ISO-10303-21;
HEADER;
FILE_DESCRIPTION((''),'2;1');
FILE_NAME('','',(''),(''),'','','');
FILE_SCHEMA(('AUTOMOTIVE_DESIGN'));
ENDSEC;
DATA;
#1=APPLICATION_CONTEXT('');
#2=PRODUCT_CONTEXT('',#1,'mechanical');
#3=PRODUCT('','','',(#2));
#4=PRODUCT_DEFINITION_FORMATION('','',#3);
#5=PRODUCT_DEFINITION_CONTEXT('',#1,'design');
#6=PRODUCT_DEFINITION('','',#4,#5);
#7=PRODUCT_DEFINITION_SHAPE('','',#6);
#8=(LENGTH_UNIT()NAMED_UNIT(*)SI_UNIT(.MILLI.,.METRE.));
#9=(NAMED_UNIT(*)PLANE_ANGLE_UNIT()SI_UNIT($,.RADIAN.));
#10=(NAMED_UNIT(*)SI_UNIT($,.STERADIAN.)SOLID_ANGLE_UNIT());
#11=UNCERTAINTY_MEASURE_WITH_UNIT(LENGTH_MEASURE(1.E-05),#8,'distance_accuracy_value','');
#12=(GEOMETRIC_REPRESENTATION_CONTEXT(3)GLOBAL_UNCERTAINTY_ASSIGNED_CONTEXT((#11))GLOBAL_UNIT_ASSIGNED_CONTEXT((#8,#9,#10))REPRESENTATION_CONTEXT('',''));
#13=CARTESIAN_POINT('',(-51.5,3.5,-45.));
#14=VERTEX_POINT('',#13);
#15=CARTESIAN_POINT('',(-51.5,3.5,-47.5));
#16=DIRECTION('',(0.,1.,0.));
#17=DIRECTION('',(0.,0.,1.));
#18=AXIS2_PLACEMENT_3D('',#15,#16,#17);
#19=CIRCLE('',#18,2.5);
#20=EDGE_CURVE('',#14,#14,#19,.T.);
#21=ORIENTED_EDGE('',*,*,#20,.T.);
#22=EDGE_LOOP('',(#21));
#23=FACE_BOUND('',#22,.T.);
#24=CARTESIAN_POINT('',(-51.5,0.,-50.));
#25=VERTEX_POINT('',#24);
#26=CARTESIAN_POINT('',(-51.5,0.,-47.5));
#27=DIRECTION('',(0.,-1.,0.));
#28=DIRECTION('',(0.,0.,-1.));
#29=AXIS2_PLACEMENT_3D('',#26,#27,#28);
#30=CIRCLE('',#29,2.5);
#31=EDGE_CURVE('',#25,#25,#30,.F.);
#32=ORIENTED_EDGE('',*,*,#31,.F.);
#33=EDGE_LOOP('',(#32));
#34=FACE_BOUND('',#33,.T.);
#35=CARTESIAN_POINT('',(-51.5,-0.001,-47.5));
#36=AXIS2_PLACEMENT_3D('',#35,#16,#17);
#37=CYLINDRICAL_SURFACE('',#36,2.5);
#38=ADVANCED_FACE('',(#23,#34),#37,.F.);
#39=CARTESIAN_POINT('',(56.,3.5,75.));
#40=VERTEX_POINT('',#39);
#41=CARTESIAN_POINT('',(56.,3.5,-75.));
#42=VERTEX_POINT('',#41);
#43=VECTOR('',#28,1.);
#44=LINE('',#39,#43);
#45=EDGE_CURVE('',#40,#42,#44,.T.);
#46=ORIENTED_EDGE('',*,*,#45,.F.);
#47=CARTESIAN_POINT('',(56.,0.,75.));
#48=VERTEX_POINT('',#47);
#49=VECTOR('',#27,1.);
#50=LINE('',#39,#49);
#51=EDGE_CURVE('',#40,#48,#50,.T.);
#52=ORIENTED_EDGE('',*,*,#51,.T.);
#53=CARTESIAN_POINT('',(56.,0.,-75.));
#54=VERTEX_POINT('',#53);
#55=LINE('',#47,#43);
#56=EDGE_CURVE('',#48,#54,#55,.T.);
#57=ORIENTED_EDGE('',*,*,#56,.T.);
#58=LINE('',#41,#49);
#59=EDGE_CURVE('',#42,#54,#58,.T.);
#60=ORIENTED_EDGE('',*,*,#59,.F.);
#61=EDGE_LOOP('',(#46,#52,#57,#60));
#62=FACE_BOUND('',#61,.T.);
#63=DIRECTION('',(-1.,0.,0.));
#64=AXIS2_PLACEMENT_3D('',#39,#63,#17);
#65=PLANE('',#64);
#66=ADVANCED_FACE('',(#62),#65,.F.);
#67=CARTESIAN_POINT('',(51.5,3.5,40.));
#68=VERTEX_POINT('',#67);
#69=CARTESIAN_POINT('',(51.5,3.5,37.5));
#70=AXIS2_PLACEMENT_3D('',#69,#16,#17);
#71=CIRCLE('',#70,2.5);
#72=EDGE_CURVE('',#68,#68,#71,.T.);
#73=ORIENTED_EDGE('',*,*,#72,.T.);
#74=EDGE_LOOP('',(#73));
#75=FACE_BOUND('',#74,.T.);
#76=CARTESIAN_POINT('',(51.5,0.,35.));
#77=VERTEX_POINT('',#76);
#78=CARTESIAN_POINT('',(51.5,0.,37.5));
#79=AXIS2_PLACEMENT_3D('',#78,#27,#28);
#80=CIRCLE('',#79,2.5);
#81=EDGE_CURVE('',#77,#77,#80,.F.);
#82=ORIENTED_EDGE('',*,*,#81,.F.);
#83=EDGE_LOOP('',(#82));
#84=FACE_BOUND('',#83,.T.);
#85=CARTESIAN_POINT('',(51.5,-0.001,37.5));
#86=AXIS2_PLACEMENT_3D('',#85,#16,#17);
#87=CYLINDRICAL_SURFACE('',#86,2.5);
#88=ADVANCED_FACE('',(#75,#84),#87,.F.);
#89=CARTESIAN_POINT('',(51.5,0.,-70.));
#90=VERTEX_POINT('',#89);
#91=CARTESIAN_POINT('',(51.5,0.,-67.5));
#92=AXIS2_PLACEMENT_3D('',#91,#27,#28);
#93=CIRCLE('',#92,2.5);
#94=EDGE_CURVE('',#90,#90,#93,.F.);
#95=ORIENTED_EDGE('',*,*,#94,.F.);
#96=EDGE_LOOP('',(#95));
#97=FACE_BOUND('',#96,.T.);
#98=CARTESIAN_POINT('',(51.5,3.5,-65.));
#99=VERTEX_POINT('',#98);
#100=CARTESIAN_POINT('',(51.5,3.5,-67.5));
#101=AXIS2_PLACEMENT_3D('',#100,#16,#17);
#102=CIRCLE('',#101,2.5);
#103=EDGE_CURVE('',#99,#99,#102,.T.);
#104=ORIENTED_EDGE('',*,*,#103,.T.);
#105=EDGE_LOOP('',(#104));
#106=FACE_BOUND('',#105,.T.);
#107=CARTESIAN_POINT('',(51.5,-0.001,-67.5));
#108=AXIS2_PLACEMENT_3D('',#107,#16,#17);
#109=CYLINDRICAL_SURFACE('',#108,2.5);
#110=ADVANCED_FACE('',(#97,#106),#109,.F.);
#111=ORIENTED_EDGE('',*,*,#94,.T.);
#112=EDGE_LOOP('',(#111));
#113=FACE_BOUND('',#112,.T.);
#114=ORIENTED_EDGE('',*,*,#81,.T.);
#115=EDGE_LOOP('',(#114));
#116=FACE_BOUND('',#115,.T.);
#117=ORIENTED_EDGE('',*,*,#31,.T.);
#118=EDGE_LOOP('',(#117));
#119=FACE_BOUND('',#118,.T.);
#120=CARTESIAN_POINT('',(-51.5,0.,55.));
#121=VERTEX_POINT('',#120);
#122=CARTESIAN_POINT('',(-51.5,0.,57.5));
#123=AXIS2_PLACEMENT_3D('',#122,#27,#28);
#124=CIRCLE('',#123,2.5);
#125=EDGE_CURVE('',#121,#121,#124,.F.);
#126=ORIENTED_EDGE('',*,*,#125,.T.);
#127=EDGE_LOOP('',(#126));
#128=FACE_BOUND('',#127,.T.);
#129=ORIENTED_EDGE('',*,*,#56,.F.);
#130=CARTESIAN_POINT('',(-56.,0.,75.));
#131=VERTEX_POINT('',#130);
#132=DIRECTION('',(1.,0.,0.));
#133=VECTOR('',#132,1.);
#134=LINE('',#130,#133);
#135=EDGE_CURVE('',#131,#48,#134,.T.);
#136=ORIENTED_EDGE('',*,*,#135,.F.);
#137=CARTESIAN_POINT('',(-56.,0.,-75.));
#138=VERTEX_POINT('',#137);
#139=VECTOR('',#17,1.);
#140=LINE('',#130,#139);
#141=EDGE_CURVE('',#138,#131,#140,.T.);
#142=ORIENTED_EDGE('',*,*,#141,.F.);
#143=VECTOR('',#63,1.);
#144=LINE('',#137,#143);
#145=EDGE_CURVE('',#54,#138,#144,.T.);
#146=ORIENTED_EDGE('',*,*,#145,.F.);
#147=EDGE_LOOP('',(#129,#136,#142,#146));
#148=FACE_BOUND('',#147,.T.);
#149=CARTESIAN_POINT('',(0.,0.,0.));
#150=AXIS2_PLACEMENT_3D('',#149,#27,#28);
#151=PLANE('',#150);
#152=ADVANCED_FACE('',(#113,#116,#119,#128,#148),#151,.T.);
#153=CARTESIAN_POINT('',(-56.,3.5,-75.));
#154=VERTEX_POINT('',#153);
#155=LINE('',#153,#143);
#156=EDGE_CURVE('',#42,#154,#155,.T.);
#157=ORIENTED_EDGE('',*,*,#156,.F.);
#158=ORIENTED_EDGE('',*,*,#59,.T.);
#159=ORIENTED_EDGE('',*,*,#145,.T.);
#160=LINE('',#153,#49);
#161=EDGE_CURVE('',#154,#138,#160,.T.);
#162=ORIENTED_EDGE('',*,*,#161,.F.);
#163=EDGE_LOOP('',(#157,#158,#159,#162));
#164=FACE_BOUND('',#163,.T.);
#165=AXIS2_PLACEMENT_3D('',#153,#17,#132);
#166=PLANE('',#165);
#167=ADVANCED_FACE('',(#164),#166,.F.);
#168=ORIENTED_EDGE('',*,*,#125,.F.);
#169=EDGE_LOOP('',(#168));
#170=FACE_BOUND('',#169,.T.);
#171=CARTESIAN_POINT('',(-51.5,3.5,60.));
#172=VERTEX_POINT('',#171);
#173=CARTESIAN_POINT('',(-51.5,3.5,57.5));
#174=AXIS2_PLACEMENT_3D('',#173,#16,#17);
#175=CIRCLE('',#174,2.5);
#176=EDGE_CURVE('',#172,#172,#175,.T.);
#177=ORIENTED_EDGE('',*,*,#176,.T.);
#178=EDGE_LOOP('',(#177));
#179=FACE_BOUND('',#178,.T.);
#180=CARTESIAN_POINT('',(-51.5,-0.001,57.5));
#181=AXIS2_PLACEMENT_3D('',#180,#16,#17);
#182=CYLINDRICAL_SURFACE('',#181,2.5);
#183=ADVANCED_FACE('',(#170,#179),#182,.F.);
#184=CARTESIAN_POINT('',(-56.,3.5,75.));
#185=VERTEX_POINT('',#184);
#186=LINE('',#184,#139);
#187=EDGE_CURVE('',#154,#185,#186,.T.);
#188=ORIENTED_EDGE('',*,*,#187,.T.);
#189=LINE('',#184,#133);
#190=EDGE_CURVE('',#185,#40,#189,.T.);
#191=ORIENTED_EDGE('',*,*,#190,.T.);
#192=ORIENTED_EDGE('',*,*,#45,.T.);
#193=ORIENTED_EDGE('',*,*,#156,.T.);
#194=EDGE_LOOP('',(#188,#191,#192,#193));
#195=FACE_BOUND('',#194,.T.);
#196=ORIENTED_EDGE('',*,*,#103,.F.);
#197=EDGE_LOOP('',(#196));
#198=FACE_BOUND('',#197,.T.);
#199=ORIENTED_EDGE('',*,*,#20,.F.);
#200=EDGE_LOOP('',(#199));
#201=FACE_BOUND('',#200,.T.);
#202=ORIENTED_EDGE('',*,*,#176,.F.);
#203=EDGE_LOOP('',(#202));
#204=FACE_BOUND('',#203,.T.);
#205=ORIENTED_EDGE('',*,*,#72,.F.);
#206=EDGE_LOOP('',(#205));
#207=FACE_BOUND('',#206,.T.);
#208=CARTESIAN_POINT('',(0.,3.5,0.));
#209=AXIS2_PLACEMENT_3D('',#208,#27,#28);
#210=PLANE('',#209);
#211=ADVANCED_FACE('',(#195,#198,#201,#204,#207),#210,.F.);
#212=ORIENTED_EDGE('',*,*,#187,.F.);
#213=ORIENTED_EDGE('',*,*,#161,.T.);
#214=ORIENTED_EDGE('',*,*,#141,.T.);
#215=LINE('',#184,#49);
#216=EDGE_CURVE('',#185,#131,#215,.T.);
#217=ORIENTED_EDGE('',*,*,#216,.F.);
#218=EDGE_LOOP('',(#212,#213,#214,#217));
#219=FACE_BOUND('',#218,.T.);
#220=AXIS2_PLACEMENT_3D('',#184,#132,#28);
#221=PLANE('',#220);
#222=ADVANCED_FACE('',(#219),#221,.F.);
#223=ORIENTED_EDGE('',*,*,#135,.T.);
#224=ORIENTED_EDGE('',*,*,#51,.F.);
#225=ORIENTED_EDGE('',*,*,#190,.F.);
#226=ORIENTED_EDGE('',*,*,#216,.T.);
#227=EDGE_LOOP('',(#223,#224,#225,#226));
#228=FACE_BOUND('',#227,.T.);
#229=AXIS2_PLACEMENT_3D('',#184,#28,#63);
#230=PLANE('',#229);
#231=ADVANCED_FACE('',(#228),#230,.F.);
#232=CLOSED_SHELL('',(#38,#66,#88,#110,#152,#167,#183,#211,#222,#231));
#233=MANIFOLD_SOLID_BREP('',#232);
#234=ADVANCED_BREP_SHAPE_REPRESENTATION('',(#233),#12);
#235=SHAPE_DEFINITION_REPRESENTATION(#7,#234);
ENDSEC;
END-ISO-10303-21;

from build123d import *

# Parameters (mm, degrees)
ESQUISSE1_W             = 112
ESQUISSE1_H             = 150
BOSS_EXTRU_1_DEPTH      = 3.5
ENL_V_MAT_EXTRU_1_REACH = 5.5
ESQUISSE2_R             = 2.5


with BuildPart() as part:
    # Esquisse1 → Boss.-Extru.1 (new body)
    with BuildSketch(Plane(origin=(0, 0, 0), x_dir=(1, 0, 0), z_dir=(0, 1, 0))):
        Rectangle(ESQUISSE1_W, ESQUISSE1_H)
    extrude(amount=BOSS_EXTRU_1_DEPTH)

    # Esquisse2 → Enlèv. mat.-Extru.1 (cut, up to next)
    with BuildSketch(Plane(origin=(0, 3.5, 0), x_dir=(1, 0, 0), z_dir=(0, 1, 0)), mode=Mode.PRIVATE) as enl_v_mat_extru_1_sk1:
        with Locations((51.5, 67.5)):
            Circle(ESQUISSE2_R)
    enl_v_mat_extru_1_tool1 = extrude(enl_v_mat_extru_1_sk1.sketch, amount=-ENL_V_MAT_EXTRU_1_REACH, mode=Mode.PRIVATE) & part.part
    add(enl_v_mat_extru_1_tool1.solids().sort_by_distance((51.5, 3.5, -67.5))[0], mode=Mode.SUBTRACT)
    # Esquisse2 → Enlèv. mat.-Extru.1 (cut, up to next)
    with BuildSketch(Plane(origin=(0, 3.5, 0), x_dir=(1, 0, 0), z_dir=(0, 1, 0)), mode=Mode.PRIVATE) as enl_v_mat_extru_1_sk2:
        with Locations((-51.5, 47.5)):
            Circle(ESQUISSE2_R)
    enl_v_mat_extru_1_tool2 = extrude(enl_v_mat_extru_1_sk2.sketch, amount=-ENL_V_MAT_EXTRU_1_REACH, mode=Mode.PRIVATE) & part.part
    add(enl_v_mat_extru_1_tool2.solids().sort_by_distance((-51.5, 3.5, -47.5))[0], mode=Mode.SUBTRACT)
    # Esquisse2 → Enlèv. mat.-Extru.1 (cut, up to next)
    with BuildSketch(Plane(origin=(0, 3.5, 0), x_dir=(1, 0, 0), z_dir=(0, 1, 0)), mode=Mode.PRIVATE) as enl_v_mat_extru_1_sk3:
        with Locations((51.5, -37.5)):
            Circle(ESQUISSE2_R)
    enl_v_mat_extru_1_tool3 = extrude(enl_v_mat_extru_1_sk3.sketch, amount=-ENL_V_MAT_EXTRU_1_REACH, mode=Mode.PRIVATE) & part.part
    add(enl_v_mat_extru_1_tool3.solids().sort_by_distance((51.5, 3.5, 37.5))[0], mode=Mode.SUBTRACT)
    # Esquisse2 → Enlèv. mat.-Extru.1 (cut, up to next)
    with BuildSketch(Plane(origin=(0, 3.5, 0), x_dir=(1, 0, 0), z_dir=(0, 1, 0)), mode=Mode.PRIVATE) as enl_v_mat_extru_1_sk4:
        with Locations((-51.5, -57.5)):
            Circle(ESQUISSE2_R)
    enl_v_mat_extru_1_tool4 = extrude(enl_v_mat_extru_1_sk4.sketch, amount=-ENL_V_MAT_EXTRU_1_REACH, mode=Mode.PRIVATE) & part.part
    add(enl_v_mat_extru_1_tool4.solids().sort_by_distance((-51.5, 3.5, 57.5))[0], mode=Mode.SUBTRACT)


solid = part.part
